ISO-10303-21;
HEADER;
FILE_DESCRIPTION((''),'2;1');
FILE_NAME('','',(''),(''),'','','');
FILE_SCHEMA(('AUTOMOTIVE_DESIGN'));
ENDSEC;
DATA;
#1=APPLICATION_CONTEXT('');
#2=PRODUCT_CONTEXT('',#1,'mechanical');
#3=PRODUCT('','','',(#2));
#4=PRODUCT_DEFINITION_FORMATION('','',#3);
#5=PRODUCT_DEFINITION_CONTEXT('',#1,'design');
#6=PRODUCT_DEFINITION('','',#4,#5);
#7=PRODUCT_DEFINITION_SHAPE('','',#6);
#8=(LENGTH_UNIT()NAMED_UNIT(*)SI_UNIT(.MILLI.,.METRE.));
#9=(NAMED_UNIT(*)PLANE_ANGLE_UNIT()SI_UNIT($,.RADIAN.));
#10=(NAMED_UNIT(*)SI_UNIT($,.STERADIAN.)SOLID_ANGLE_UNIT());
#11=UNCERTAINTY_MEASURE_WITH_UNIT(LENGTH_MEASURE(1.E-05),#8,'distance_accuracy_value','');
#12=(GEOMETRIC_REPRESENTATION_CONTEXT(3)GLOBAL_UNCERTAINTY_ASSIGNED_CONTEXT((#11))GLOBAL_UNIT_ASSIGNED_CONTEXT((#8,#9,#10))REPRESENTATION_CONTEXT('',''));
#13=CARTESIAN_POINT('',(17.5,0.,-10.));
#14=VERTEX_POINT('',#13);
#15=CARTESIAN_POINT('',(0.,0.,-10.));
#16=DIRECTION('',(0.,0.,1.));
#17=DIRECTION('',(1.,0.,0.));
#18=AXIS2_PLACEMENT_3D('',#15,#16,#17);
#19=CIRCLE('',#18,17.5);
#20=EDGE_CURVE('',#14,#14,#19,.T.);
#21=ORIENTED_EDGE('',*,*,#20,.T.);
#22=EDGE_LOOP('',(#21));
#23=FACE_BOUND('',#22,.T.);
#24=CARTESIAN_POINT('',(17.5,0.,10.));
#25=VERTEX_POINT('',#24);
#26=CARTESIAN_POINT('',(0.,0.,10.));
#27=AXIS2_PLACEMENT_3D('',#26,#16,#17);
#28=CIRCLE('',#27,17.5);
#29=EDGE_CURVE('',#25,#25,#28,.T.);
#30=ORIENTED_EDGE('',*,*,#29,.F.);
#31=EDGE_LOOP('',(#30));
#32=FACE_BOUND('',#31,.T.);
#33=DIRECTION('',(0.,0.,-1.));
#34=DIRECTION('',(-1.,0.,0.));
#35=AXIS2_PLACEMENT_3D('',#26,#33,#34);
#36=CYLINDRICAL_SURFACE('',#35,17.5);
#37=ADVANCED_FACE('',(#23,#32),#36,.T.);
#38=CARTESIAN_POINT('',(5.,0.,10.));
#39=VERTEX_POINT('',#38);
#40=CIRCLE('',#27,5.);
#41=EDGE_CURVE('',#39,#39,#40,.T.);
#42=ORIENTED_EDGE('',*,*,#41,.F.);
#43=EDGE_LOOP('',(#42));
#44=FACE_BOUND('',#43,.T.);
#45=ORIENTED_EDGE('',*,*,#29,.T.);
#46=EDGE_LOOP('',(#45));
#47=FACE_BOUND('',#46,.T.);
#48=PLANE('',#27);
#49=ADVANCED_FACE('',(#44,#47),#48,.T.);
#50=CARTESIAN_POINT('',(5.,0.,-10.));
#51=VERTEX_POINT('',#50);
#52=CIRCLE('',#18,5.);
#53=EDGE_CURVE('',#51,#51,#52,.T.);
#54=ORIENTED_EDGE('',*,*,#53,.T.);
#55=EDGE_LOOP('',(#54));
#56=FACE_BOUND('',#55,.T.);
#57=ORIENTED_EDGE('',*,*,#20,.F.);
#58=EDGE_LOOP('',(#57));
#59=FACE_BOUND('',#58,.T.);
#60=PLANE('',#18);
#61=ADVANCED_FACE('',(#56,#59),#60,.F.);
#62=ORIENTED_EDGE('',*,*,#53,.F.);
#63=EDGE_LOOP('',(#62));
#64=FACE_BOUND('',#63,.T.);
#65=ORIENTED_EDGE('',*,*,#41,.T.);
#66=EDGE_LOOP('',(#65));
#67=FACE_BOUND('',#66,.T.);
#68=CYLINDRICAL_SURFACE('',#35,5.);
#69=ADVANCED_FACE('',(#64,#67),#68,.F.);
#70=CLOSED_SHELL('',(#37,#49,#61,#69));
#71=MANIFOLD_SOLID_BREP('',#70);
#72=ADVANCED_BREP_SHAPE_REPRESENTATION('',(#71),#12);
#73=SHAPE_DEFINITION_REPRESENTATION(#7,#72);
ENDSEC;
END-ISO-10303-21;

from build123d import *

# Parameters (mm, degrees)
CROQUIS1_R              = 17.5
CROQUIS1_R_2            = 5
SALIENTE_EXTRUIR1_DEPTH = 10


with BuildPart() as part:
    # Croquis1 → Saliente-Extruir1 (new body, symmetric)
    with BuildSketch(Plane.XY):
        Circle(CROQUIS1_R)
        Circle(CROQUIS1_R_2, mode=Mode.SUBTRACT)
    extrude(amount=SALIENTE_EXTRUIR1_DEPTH, both=True)


solid = part.part
